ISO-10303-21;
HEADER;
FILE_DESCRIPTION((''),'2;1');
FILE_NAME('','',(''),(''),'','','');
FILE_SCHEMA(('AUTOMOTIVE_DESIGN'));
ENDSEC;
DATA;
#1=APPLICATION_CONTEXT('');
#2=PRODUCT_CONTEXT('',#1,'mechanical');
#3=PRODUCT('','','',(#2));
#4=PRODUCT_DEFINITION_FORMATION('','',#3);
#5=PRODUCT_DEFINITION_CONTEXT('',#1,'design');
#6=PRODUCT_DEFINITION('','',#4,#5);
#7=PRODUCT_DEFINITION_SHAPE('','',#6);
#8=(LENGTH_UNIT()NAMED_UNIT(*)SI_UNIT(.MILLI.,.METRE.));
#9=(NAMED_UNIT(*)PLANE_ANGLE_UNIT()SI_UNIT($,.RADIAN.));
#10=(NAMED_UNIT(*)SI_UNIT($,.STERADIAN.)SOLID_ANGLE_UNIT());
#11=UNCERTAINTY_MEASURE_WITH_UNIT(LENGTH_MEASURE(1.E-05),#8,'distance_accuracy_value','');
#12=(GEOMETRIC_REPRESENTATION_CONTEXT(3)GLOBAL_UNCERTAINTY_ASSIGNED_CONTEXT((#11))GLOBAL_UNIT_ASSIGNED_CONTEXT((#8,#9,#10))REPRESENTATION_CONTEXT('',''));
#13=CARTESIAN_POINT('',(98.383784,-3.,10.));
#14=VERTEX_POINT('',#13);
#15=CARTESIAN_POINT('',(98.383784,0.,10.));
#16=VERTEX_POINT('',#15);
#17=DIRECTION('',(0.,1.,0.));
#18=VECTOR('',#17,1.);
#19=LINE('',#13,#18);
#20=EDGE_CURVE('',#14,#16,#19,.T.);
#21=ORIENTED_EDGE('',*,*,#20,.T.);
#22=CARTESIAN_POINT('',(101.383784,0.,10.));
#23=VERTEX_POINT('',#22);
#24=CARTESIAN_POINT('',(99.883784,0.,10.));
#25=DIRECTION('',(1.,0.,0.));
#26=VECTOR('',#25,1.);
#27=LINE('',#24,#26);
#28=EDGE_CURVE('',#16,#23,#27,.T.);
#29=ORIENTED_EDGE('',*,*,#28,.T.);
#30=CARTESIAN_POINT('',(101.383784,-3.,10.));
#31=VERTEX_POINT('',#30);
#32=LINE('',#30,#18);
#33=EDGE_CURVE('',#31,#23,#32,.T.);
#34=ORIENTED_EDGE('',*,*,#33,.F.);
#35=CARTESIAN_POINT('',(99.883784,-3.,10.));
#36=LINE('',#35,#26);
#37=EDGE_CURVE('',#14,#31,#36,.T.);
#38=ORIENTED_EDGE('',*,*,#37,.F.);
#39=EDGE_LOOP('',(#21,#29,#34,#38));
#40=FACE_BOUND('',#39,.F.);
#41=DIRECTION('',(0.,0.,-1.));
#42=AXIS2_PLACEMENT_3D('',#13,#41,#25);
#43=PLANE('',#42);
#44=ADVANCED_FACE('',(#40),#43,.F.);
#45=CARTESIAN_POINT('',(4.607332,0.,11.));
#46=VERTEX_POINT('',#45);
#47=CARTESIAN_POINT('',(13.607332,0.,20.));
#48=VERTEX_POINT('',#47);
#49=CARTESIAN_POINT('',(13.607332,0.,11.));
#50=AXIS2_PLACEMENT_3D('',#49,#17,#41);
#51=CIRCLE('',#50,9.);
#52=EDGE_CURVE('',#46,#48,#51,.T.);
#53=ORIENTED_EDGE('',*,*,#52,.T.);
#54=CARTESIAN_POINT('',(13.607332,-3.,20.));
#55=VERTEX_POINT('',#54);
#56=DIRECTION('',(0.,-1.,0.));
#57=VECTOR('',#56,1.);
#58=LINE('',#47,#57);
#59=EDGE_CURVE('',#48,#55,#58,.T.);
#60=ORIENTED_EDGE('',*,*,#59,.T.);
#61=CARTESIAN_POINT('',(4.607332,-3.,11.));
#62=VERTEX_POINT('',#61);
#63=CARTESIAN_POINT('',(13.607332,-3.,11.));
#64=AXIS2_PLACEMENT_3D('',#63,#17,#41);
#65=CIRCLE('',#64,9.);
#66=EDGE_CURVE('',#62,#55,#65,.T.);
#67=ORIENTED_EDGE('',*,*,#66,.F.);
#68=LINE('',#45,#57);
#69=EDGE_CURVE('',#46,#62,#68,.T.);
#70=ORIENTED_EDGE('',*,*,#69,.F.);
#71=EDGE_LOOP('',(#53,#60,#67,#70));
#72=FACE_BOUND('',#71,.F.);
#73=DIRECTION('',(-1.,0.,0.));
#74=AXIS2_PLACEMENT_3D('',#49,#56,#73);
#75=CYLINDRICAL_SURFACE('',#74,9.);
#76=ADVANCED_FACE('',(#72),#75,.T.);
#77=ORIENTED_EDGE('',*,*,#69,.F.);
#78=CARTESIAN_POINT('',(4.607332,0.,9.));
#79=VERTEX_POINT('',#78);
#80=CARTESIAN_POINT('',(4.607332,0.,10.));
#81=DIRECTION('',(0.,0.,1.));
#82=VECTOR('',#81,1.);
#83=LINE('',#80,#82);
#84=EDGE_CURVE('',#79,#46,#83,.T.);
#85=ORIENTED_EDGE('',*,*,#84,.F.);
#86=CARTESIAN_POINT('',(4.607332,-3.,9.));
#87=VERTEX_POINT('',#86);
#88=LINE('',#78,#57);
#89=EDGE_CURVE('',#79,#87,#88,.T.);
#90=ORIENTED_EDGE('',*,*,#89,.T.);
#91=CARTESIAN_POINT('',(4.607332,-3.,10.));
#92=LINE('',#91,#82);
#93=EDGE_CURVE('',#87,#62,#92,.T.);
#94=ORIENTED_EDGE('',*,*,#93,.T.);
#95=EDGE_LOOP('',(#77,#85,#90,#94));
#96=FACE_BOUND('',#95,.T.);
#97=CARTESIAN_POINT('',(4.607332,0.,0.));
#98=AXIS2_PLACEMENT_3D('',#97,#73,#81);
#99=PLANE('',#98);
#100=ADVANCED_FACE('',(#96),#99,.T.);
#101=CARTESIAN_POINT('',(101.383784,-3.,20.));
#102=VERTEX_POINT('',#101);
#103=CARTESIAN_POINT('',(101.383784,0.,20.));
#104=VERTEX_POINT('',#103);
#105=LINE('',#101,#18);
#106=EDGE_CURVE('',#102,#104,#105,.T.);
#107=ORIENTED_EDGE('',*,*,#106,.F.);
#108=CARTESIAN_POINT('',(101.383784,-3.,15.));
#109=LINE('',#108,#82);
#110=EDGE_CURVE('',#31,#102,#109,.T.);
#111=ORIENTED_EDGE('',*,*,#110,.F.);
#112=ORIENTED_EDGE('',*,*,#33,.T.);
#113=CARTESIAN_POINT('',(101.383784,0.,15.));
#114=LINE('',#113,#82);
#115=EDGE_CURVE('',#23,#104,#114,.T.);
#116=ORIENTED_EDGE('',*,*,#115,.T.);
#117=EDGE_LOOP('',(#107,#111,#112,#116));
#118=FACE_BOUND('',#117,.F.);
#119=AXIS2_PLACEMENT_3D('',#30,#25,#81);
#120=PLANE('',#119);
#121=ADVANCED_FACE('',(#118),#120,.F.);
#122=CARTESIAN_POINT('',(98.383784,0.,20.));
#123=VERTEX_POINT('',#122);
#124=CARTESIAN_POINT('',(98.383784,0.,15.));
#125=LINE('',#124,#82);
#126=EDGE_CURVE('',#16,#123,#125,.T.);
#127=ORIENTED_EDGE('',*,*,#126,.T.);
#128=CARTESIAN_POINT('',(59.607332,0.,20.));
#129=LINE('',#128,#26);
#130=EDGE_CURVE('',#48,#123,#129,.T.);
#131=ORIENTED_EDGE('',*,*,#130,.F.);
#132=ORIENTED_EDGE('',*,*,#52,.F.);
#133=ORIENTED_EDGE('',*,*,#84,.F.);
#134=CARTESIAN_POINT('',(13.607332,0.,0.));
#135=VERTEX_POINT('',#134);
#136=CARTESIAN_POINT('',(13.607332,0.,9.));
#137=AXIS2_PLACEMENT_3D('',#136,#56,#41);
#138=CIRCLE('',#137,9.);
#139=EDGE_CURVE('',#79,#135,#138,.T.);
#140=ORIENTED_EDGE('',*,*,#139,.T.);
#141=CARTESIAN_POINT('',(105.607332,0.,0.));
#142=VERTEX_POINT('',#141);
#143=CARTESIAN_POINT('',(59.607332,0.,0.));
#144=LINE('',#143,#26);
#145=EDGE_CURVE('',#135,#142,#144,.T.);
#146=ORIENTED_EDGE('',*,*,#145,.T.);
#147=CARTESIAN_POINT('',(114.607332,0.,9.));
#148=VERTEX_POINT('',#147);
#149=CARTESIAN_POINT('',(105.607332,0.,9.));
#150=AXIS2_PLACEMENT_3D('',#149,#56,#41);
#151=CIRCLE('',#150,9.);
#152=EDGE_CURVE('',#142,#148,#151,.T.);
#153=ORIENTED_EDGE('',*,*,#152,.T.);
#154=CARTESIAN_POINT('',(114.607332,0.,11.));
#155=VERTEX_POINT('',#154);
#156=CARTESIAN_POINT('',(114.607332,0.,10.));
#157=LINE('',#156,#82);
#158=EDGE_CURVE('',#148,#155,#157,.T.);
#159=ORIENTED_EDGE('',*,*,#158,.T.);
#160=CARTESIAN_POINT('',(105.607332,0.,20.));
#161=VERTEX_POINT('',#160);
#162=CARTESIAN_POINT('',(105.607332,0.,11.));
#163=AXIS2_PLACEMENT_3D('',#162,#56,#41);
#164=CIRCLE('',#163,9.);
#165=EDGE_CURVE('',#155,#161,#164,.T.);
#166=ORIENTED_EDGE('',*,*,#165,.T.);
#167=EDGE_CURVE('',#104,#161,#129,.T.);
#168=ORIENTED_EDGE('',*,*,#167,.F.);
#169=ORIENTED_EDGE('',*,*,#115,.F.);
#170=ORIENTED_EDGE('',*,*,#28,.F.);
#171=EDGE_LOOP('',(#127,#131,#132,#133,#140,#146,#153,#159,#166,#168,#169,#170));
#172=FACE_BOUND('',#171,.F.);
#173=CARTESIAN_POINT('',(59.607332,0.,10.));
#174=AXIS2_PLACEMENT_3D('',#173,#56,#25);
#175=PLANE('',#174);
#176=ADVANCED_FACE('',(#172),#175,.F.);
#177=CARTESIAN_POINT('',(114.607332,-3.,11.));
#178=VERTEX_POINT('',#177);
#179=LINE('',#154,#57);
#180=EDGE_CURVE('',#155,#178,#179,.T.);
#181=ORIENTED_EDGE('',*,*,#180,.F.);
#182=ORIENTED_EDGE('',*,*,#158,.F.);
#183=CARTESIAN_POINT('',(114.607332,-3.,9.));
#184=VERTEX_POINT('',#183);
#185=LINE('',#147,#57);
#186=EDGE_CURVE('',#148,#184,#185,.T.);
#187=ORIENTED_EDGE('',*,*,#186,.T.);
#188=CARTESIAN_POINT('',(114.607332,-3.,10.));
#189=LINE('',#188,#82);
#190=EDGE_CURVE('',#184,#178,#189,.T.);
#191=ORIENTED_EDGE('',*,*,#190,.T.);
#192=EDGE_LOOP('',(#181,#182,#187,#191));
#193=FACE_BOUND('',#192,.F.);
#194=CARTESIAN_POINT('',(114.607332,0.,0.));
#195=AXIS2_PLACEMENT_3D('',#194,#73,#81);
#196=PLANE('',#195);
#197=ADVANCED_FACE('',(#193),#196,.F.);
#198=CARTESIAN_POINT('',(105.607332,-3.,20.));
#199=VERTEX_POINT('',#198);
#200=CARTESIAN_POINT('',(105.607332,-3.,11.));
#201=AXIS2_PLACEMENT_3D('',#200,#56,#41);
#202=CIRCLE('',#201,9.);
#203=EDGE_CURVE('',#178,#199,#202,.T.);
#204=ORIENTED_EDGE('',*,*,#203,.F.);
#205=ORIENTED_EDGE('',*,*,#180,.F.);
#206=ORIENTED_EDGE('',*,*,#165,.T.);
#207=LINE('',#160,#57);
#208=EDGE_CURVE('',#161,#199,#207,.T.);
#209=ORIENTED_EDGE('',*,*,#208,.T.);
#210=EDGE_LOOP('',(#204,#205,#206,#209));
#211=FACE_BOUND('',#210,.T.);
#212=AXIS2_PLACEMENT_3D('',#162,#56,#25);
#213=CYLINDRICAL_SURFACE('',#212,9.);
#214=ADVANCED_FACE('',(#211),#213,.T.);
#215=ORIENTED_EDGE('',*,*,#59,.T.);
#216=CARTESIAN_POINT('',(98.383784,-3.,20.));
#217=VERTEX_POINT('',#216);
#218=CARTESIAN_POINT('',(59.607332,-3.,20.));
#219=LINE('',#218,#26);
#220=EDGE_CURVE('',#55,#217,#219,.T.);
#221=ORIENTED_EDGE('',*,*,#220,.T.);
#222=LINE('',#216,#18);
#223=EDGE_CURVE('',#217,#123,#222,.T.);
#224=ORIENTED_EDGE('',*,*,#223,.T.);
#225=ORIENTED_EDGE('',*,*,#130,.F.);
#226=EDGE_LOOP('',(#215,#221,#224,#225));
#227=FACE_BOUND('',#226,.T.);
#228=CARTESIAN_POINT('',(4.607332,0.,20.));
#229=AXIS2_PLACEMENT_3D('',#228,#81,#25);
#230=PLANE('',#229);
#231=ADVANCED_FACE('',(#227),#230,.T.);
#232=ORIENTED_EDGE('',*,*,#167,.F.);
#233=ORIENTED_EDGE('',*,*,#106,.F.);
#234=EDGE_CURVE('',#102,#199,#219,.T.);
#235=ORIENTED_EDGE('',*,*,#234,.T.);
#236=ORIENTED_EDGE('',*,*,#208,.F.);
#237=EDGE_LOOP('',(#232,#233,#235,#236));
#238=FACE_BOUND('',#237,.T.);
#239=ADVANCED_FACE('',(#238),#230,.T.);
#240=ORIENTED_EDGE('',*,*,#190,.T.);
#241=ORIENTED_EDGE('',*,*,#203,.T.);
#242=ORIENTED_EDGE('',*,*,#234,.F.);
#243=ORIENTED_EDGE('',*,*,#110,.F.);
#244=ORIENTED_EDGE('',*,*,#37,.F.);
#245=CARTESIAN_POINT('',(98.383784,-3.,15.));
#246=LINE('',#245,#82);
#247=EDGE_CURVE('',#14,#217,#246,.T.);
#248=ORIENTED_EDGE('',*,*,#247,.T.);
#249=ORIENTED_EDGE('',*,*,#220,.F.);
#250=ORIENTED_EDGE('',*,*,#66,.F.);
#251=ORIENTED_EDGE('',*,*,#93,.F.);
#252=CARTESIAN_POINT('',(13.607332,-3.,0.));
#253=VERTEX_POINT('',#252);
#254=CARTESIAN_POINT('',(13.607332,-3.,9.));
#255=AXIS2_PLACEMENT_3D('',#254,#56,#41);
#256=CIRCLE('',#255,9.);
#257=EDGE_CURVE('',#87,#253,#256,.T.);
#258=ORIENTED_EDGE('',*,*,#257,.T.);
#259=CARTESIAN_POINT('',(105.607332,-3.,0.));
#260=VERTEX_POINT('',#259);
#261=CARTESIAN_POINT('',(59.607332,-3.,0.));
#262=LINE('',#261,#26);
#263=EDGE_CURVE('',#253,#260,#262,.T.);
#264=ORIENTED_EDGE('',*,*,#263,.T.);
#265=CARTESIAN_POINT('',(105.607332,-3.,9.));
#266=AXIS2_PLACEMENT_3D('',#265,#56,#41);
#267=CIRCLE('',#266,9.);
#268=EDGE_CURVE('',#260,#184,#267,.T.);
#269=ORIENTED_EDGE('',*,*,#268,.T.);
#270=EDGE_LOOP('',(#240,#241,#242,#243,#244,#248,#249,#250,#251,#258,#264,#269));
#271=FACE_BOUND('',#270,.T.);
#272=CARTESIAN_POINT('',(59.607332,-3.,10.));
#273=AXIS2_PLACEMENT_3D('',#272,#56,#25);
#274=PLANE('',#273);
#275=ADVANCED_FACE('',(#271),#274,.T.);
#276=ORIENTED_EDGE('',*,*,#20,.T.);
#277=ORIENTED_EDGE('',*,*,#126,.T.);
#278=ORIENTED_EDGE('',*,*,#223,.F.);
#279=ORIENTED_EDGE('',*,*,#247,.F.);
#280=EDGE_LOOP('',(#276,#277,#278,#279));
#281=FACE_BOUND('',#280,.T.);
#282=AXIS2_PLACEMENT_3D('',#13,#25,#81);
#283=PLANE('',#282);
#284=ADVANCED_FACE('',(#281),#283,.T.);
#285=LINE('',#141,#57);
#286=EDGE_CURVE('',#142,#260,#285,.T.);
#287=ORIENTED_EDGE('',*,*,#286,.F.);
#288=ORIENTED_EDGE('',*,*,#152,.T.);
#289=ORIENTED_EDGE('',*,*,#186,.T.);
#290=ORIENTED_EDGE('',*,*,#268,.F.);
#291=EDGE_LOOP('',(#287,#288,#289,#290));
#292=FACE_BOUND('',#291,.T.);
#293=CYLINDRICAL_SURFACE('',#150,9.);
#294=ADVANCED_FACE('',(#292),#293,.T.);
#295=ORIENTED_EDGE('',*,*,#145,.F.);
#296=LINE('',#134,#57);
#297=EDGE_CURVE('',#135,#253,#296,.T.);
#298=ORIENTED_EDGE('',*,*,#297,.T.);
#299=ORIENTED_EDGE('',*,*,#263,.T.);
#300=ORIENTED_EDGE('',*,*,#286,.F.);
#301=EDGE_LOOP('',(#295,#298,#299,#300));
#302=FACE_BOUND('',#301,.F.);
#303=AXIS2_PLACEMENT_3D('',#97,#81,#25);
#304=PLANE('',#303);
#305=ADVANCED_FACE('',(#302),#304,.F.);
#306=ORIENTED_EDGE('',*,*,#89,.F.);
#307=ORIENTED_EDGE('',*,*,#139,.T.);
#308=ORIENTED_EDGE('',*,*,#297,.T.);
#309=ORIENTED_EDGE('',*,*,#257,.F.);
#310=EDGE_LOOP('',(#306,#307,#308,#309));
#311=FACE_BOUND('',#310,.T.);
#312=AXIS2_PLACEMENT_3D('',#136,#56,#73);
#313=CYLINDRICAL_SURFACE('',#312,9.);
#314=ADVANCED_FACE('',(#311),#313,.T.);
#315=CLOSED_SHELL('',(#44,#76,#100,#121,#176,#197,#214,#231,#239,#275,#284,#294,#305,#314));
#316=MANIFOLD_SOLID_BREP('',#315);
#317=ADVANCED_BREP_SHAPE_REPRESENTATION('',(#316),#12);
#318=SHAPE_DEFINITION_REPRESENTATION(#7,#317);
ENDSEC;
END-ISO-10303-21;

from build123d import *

# Parameters (mm, degrees)
F0_W     = 110
F0_H     = 20
F1_DEPTH = 3
F2_R     = 9
F3_W     = 3
F3_H     = 10
F4_DEPTH = 3


with BuildPart() as f1:
    # F0 (on Front) → F1 (new body)
    with BuildSketch(Plane.XZ):
        with Locations((59.607332, 10)):
            Rectangle(F0_W, F0_H)
    extrude(amount=F1_DEPTH)

    # F2
    f2_edges = [f1.edges().sort_by_distance(p)[0] for p in [
        (4.607332, -1.5, 20),
        (4.607332, -1.5, 0),
        (114.607332, -1.5, 20),
        (114.607332, -1.5, 0),
    ]]
    fillet(f2_edges, radius=F2_R)

    # F3 (on face) → F4 (cut)
    with BuildSketch(Plane.XZ.offset(3)):
        with Locations((99.883784, 15)):
            Rectangle(F3_W, F3_H)
    extrude(amount=-F4_DEPTH, mode=Mode.SUBTRACT)


solid = f1.part
